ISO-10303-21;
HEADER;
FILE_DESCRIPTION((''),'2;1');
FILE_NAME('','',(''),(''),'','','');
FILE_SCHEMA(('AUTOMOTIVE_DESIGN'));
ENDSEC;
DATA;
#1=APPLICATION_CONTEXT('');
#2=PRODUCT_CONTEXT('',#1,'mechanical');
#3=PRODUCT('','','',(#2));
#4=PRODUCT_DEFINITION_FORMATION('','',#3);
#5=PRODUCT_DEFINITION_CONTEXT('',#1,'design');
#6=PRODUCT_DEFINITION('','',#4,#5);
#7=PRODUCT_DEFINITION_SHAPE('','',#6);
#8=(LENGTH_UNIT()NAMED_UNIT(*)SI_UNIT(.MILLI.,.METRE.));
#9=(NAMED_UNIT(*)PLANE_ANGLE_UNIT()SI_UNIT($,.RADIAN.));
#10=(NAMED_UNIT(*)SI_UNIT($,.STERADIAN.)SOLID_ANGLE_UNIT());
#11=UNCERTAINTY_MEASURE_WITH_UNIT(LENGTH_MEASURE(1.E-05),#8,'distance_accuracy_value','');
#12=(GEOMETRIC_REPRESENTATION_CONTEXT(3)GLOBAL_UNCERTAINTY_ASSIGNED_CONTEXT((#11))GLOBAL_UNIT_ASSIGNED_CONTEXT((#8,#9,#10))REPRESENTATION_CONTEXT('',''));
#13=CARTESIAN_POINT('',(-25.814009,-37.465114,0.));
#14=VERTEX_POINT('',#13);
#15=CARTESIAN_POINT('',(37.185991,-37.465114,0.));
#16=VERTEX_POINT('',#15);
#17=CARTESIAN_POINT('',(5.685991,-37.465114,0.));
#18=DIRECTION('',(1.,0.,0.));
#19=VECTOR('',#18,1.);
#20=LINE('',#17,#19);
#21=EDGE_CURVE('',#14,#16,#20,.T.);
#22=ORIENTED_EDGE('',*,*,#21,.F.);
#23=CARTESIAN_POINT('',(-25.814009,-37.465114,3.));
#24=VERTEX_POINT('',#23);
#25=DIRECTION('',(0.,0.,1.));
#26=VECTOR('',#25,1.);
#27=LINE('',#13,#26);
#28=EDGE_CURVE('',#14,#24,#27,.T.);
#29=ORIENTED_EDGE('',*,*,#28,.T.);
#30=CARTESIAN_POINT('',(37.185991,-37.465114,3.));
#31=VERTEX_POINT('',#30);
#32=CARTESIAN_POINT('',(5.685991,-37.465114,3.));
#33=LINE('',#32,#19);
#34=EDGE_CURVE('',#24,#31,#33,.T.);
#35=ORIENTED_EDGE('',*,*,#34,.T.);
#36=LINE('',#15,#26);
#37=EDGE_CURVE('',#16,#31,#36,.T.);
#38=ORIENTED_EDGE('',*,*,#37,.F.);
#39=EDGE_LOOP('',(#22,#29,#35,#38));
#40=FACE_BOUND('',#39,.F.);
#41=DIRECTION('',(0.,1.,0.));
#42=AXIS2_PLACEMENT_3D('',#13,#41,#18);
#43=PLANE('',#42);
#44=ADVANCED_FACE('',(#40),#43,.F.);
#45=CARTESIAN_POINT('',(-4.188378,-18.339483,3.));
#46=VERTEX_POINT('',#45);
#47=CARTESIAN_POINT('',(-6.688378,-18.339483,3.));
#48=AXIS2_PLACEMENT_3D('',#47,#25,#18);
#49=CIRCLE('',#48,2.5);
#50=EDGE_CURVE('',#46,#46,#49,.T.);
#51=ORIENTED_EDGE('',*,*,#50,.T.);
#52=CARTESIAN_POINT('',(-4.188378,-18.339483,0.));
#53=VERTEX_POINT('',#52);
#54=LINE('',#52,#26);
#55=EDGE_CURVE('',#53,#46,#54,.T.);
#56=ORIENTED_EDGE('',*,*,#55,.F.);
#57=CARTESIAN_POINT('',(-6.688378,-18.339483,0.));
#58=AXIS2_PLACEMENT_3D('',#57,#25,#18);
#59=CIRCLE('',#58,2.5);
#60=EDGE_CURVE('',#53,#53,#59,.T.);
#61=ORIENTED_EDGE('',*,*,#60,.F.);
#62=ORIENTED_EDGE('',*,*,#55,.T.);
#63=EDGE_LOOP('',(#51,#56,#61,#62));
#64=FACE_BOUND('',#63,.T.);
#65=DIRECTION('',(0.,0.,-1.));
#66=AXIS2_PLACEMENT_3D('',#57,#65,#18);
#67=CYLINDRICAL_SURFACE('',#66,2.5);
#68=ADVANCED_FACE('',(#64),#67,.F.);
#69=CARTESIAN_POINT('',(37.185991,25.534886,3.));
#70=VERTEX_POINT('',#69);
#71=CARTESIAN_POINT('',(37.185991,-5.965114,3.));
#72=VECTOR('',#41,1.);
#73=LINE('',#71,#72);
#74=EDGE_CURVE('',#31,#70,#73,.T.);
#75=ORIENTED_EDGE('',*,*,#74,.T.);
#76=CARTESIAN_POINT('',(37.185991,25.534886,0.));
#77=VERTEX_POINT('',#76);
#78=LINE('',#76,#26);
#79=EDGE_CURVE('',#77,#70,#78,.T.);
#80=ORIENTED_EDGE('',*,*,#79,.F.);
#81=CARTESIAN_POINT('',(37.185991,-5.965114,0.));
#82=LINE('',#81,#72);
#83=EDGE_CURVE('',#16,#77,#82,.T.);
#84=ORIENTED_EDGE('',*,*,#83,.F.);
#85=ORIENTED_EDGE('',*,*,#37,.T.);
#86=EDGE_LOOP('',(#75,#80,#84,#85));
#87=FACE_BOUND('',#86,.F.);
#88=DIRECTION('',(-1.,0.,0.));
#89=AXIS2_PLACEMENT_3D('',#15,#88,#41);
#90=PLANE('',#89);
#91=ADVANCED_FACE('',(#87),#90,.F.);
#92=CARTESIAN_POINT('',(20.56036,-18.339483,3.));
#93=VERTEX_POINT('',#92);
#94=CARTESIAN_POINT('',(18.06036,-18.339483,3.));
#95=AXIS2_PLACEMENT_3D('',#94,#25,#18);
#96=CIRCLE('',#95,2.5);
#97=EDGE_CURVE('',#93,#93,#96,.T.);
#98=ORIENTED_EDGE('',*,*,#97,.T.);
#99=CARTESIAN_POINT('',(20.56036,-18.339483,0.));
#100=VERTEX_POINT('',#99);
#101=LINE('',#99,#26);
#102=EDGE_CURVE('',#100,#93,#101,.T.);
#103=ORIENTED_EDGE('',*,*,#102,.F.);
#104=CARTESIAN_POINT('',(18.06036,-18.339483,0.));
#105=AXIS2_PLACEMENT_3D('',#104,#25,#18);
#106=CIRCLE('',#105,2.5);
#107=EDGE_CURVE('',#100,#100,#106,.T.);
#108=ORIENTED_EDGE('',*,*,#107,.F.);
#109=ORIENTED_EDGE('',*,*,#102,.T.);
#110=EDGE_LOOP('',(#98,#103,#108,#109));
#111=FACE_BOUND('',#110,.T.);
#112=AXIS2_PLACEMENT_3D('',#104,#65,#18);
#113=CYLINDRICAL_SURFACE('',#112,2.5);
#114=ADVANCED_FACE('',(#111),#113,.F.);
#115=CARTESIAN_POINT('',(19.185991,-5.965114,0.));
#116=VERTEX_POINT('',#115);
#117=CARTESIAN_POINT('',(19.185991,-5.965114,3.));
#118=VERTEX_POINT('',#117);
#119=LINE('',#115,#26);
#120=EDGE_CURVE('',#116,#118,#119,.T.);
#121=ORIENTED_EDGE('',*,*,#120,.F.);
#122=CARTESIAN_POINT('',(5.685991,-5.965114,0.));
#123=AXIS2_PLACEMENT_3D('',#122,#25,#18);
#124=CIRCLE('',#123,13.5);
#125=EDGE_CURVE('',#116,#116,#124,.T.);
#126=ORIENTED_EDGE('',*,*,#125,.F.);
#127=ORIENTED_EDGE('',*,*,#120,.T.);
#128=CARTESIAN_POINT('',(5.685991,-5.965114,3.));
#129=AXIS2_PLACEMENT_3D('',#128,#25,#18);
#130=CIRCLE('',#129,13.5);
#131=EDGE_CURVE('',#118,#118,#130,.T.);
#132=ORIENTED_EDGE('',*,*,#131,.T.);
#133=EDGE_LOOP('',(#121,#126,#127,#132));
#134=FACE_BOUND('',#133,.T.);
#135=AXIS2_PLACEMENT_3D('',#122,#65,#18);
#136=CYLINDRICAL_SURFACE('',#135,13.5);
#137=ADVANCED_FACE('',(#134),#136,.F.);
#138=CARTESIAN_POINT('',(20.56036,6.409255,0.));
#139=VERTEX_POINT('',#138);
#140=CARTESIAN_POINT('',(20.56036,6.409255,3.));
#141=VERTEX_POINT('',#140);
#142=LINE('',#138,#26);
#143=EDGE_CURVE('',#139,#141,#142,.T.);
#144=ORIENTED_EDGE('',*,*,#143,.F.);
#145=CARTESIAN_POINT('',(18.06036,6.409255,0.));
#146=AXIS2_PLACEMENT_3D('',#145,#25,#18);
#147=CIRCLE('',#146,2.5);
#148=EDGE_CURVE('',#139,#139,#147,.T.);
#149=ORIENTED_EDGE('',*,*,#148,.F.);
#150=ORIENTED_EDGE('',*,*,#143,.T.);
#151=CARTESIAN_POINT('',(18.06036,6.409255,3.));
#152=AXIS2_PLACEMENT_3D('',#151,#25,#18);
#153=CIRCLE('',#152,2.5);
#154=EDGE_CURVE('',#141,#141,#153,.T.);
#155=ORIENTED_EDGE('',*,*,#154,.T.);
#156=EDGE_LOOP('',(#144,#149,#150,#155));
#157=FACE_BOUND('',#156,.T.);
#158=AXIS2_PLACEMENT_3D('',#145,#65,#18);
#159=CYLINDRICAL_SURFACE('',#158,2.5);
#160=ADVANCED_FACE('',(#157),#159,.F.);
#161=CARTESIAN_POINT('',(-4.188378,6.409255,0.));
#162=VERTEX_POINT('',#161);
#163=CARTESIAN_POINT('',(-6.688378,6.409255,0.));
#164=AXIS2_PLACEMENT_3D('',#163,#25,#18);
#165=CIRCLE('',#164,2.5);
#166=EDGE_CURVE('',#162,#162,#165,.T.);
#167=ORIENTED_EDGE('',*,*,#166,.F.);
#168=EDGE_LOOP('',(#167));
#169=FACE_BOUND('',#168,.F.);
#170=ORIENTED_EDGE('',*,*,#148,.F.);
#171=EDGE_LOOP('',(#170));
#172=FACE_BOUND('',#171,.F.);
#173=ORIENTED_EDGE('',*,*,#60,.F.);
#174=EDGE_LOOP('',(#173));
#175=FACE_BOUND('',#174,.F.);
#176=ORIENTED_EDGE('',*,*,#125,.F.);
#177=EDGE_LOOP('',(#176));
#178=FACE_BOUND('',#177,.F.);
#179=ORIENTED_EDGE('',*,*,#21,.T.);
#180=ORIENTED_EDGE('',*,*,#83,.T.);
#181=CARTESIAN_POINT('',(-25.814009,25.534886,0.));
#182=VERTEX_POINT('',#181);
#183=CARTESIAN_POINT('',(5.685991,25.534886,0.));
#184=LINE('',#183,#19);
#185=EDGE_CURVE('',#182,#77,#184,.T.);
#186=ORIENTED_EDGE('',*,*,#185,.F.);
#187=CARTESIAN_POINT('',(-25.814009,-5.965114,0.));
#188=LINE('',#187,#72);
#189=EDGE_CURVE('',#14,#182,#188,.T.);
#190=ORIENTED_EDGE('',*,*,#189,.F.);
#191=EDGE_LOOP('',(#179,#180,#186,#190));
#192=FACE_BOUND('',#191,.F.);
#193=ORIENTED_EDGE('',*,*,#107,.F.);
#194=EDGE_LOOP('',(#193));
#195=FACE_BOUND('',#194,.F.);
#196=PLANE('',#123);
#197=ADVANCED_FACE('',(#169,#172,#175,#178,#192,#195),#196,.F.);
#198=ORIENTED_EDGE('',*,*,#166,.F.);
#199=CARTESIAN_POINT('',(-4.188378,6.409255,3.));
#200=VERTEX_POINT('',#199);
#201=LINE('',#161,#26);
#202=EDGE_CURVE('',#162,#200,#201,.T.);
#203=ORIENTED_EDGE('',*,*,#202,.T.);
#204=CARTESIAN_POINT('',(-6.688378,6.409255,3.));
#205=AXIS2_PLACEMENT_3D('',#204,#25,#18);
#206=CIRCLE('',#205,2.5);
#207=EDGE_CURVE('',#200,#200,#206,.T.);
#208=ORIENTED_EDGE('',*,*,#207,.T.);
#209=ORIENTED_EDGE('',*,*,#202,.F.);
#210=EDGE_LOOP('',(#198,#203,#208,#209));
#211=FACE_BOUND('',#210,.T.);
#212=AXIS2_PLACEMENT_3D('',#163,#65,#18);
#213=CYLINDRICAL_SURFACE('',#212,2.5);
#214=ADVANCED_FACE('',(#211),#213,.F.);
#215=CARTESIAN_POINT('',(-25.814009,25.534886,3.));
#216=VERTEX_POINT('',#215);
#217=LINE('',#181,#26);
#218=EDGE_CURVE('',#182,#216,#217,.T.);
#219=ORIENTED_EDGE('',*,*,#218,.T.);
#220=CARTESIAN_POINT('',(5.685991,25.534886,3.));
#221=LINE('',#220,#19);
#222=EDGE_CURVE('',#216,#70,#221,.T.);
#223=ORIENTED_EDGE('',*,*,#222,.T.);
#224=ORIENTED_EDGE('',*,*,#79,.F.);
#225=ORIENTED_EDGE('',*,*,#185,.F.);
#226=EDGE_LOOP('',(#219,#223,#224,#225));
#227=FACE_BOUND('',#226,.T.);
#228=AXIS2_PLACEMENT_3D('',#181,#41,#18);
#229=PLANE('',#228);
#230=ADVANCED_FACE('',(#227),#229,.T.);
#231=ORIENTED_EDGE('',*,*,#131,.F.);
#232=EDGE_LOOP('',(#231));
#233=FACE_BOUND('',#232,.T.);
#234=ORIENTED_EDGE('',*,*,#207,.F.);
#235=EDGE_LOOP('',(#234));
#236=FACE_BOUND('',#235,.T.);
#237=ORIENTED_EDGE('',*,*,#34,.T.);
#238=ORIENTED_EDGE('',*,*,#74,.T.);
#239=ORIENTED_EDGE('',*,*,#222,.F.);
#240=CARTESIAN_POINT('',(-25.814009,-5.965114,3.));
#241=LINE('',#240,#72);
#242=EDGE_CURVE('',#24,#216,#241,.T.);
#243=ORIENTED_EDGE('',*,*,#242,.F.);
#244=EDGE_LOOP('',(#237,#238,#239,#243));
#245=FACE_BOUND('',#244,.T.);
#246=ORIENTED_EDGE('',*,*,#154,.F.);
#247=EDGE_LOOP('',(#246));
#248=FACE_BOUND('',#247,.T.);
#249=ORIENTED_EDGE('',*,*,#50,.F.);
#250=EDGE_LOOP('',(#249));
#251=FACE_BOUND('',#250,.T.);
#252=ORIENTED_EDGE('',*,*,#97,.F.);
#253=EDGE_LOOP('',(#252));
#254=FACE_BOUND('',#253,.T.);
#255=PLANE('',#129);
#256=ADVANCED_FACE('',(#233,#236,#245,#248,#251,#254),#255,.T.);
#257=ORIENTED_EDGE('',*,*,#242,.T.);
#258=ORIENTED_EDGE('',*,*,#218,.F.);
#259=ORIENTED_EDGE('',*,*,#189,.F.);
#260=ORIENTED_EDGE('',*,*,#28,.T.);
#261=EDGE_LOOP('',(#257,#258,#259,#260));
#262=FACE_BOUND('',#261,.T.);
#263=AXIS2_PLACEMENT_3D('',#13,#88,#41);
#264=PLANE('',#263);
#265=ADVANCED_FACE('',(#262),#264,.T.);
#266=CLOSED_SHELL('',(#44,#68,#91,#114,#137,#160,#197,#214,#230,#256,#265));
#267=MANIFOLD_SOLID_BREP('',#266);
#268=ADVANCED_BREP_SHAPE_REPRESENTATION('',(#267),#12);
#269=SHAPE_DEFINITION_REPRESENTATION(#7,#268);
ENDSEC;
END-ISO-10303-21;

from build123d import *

# Parameters (mm, degrees)
F0_W     = 63
F0_H     = 63
F0_R     = 2.5
F0_R_2   = 13.5
F1_DEPTH = 3


with BuildPart() as f1:
    # F0 (on Top) → F1 (new body)
    with BuildSketch(Plane.XY):
        with Locations((5.685991, -5.965114)):
            Rectangle(F0_W, F0_H)
        with Locations((-6.688378, -18.339483)):
            Circle(F0_R, mode=Mode.SUBTRACT)
        with Locations((18.06036, -18.339483)):
            Circle(F0_R, mode=Mode.SUBTRACT)
        with Locations((-6.688378, 6.409255)):
            Circle(F0_R, mode=Mode.SUBTRACT)
        with Locations((5.685991, -5.965114)):
            Circle(F0_R_2, mode=Mode.SUBTRACT)
        with Locations((18.06036, 6.409255)):
            Circle(F0_R, mode=Mode.SUBTRACT)
    extrude(amount=F1_DEPTH)


solid = f1.part
